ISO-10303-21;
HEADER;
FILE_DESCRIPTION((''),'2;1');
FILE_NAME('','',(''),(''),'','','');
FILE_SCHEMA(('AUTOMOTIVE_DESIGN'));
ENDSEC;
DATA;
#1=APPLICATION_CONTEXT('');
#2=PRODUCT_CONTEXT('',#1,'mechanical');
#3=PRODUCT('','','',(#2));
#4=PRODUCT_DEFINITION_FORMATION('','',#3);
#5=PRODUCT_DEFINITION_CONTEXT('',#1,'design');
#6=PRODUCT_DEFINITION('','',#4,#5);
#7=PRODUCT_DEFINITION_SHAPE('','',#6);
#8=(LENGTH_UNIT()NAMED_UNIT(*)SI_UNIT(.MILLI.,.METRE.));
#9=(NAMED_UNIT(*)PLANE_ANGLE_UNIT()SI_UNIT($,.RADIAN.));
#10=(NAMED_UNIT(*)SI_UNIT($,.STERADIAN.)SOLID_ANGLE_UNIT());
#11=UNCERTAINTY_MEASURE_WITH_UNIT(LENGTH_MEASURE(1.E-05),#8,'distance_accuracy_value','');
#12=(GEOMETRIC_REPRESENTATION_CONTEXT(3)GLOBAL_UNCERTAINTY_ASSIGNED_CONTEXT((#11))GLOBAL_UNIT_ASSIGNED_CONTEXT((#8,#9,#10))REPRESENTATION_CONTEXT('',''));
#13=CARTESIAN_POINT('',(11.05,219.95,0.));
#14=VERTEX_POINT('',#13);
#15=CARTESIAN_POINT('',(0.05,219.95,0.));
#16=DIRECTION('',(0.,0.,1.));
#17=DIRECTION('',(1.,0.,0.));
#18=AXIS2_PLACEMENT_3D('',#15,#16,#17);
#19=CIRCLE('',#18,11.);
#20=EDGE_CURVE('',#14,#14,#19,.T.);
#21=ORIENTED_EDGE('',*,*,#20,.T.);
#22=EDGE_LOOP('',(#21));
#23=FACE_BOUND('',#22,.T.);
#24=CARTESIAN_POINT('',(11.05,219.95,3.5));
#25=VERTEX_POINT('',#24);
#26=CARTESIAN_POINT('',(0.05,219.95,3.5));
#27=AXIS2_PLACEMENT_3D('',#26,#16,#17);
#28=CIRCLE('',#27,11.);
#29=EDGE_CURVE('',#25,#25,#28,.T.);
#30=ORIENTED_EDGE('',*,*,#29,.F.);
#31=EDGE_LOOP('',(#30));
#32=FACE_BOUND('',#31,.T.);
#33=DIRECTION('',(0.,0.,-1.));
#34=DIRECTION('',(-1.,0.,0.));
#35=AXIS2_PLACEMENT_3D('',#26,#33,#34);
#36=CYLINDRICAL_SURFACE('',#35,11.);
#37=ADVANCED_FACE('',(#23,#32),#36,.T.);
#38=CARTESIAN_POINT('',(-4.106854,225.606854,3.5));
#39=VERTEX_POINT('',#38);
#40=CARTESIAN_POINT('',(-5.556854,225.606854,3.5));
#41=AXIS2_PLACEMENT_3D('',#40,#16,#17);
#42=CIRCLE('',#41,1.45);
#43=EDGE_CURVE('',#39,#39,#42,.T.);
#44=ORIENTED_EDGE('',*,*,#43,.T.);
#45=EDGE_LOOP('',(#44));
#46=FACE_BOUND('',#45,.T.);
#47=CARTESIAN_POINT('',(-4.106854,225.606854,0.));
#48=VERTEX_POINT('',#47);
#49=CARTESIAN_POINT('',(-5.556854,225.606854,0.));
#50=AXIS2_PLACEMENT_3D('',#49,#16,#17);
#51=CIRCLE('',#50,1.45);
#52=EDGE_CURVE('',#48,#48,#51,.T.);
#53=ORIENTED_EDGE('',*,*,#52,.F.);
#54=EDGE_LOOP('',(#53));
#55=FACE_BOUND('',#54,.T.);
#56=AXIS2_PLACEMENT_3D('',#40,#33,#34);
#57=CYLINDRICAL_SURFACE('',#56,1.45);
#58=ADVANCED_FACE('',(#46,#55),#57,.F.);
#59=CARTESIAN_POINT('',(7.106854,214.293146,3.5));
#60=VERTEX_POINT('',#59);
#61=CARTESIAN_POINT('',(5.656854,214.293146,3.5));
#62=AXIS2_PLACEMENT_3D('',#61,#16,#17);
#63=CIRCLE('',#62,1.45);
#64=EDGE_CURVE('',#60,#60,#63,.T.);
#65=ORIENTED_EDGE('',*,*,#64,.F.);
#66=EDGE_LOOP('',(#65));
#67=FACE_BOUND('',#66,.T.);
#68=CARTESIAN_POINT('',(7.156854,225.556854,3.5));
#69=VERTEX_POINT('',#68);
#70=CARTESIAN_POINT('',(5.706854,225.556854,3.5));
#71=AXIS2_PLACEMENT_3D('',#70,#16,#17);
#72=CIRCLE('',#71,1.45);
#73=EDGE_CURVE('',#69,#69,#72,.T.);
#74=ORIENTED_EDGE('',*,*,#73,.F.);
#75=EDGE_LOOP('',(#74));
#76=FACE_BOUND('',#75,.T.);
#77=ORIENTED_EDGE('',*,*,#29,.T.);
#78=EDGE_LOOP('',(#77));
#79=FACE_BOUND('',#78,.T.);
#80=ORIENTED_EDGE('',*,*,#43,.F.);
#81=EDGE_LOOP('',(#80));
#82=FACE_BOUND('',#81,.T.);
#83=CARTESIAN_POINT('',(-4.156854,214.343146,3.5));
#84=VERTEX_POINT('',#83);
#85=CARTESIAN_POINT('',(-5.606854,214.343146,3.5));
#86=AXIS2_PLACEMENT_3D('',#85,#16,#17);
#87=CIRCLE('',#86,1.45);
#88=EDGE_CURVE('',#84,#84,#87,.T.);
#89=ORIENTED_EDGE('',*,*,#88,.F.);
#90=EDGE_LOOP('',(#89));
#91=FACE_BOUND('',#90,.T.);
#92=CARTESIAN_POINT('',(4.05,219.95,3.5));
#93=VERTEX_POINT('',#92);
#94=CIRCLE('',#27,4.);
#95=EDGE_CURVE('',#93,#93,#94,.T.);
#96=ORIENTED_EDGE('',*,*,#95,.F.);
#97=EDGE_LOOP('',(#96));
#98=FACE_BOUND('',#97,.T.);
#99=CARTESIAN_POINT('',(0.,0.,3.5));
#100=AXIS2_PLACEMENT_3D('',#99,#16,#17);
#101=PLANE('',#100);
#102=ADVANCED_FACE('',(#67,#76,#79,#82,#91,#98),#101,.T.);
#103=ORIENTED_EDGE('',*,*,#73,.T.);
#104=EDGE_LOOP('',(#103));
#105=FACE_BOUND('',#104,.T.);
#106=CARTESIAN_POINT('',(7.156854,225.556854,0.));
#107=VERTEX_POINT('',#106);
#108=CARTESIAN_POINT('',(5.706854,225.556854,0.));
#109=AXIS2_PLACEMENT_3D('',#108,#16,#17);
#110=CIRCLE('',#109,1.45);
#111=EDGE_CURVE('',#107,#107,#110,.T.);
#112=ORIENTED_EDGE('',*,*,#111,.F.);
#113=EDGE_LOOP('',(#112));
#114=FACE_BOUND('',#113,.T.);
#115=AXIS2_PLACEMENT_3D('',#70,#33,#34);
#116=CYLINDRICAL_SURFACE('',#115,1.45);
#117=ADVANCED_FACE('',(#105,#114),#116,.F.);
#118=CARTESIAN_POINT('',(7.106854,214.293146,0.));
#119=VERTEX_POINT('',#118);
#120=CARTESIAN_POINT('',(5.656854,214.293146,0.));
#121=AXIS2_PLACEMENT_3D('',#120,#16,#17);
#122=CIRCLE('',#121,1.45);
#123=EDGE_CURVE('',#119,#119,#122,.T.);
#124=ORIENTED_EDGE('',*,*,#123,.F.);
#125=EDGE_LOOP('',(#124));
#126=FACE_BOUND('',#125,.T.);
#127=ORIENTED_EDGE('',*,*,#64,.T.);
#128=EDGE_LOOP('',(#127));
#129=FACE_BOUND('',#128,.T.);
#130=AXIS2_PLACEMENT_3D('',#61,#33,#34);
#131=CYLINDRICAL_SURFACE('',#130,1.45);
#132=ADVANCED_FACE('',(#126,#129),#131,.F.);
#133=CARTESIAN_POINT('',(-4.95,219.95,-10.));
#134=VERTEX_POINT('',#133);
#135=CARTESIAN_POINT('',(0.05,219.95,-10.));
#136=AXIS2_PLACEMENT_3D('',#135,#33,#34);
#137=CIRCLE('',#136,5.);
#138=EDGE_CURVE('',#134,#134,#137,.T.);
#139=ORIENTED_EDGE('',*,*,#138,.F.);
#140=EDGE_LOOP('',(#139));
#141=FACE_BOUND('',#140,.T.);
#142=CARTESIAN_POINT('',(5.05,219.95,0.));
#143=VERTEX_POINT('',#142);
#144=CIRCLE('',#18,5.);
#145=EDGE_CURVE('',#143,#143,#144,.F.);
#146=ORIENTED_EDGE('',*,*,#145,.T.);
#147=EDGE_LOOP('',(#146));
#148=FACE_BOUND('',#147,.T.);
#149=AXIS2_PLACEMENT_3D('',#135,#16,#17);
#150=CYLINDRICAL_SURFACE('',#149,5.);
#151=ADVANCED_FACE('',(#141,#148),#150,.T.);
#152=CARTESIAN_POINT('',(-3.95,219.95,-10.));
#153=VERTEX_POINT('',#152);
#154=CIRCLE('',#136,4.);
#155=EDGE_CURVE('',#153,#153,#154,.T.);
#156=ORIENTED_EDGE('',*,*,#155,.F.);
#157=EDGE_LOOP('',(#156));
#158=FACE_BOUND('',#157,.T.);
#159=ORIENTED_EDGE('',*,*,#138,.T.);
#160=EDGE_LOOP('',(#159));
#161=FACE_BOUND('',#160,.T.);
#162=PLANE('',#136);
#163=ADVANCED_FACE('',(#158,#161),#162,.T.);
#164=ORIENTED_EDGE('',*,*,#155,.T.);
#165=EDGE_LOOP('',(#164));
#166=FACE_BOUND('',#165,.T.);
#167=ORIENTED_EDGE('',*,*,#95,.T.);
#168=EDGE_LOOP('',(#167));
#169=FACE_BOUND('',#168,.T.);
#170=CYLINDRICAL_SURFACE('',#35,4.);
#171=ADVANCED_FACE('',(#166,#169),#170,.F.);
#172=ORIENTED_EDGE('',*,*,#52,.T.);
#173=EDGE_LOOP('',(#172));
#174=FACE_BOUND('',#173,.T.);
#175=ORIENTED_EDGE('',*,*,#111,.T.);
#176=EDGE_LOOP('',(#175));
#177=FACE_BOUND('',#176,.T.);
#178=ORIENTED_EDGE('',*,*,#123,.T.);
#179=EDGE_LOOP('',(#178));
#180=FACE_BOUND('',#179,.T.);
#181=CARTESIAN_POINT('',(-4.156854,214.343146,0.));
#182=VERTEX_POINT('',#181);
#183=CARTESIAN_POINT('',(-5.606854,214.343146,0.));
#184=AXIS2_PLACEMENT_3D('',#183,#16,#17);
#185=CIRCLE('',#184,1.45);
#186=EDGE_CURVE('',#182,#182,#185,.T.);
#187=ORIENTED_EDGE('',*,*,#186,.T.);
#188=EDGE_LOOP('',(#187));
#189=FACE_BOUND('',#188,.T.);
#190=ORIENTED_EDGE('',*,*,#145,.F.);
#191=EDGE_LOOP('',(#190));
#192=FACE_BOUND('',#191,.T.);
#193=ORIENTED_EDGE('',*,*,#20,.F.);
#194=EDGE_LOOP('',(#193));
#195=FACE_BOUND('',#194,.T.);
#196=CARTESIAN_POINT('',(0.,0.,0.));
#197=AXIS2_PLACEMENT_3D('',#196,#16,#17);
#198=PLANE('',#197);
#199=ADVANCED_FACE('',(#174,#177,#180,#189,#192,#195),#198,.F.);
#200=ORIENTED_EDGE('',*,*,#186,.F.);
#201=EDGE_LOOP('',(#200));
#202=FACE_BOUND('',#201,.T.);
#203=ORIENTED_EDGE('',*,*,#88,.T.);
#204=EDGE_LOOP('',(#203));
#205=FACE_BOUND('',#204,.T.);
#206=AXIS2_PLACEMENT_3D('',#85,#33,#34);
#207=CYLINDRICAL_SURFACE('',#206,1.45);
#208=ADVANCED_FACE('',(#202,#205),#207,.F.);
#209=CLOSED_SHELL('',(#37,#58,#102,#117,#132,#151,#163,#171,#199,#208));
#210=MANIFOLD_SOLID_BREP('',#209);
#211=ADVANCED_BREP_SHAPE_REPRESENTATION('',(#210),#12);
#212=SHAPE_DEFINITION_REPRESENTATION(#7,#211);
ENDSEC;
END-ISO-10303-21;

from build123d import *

# Parameters (mm, degrees)
SKETCH1_R           = 11
SKETCH1_R_2         = 4
SKETCH1_R_3         = 1.45
BOSS_EXTRUDE1_DEPTH = 3.5
SKETCH2_R           = 5
SKETCH2_R_2         = 4
BOSS_EXTRUDE2_DEPTH = 10


with BuildPart() as part:
    # Sketch1 → Boss-Extrude1 (new body)
    with BuildSketch(Plane.XY):
        with Locations((0.049999962, 219.95)):
            Circle(SKETCH1_R)
        with Locations((0.049999962, 219.95)):
            Circle(SKETCH1_R_2, mode=Mode.SUBTRACT)
        with Locations((5.656854228, 214.293145824)):
            Circle(SKETCH1_R_3, mode=Mode.SUBTRACT)
        with Locations((-5.606854214, 214.343145734)):
            Circle(SKETCH1_R_3, mode=Mode.SUBTRACT)
        with Locations((-5.556854304, 225.606854176)):
            Circle(SKETCH1_R_3, mode=Mode.SUBTRACT)
        with Locations((5.706854138, 225.556854266)):
            Circle(SKETCH1_R_3, mode=Mode.SUBTRACT)
    extrude(amount=BOSS_EXTRUDE1_DEPTH)

    # Sketch2 → Boss-Extrude2 (add)
    with BuildSketch(Plane(origin=(0, 0, 0), x_dir=(-1, 0, 0), z_dir=(0, 0, -1))):
        with Locations((-0.049999962, 219.95)):
            Circle(SKETCH2_R)
        with Locations((-0.049999962, 219.95)):
            Circle(SKETCH2_R_2, mode=Mode.SUBTRACT)
    extrude(amount=BOSS_EXTRUDE2_DEPTH)


solid = part.part
